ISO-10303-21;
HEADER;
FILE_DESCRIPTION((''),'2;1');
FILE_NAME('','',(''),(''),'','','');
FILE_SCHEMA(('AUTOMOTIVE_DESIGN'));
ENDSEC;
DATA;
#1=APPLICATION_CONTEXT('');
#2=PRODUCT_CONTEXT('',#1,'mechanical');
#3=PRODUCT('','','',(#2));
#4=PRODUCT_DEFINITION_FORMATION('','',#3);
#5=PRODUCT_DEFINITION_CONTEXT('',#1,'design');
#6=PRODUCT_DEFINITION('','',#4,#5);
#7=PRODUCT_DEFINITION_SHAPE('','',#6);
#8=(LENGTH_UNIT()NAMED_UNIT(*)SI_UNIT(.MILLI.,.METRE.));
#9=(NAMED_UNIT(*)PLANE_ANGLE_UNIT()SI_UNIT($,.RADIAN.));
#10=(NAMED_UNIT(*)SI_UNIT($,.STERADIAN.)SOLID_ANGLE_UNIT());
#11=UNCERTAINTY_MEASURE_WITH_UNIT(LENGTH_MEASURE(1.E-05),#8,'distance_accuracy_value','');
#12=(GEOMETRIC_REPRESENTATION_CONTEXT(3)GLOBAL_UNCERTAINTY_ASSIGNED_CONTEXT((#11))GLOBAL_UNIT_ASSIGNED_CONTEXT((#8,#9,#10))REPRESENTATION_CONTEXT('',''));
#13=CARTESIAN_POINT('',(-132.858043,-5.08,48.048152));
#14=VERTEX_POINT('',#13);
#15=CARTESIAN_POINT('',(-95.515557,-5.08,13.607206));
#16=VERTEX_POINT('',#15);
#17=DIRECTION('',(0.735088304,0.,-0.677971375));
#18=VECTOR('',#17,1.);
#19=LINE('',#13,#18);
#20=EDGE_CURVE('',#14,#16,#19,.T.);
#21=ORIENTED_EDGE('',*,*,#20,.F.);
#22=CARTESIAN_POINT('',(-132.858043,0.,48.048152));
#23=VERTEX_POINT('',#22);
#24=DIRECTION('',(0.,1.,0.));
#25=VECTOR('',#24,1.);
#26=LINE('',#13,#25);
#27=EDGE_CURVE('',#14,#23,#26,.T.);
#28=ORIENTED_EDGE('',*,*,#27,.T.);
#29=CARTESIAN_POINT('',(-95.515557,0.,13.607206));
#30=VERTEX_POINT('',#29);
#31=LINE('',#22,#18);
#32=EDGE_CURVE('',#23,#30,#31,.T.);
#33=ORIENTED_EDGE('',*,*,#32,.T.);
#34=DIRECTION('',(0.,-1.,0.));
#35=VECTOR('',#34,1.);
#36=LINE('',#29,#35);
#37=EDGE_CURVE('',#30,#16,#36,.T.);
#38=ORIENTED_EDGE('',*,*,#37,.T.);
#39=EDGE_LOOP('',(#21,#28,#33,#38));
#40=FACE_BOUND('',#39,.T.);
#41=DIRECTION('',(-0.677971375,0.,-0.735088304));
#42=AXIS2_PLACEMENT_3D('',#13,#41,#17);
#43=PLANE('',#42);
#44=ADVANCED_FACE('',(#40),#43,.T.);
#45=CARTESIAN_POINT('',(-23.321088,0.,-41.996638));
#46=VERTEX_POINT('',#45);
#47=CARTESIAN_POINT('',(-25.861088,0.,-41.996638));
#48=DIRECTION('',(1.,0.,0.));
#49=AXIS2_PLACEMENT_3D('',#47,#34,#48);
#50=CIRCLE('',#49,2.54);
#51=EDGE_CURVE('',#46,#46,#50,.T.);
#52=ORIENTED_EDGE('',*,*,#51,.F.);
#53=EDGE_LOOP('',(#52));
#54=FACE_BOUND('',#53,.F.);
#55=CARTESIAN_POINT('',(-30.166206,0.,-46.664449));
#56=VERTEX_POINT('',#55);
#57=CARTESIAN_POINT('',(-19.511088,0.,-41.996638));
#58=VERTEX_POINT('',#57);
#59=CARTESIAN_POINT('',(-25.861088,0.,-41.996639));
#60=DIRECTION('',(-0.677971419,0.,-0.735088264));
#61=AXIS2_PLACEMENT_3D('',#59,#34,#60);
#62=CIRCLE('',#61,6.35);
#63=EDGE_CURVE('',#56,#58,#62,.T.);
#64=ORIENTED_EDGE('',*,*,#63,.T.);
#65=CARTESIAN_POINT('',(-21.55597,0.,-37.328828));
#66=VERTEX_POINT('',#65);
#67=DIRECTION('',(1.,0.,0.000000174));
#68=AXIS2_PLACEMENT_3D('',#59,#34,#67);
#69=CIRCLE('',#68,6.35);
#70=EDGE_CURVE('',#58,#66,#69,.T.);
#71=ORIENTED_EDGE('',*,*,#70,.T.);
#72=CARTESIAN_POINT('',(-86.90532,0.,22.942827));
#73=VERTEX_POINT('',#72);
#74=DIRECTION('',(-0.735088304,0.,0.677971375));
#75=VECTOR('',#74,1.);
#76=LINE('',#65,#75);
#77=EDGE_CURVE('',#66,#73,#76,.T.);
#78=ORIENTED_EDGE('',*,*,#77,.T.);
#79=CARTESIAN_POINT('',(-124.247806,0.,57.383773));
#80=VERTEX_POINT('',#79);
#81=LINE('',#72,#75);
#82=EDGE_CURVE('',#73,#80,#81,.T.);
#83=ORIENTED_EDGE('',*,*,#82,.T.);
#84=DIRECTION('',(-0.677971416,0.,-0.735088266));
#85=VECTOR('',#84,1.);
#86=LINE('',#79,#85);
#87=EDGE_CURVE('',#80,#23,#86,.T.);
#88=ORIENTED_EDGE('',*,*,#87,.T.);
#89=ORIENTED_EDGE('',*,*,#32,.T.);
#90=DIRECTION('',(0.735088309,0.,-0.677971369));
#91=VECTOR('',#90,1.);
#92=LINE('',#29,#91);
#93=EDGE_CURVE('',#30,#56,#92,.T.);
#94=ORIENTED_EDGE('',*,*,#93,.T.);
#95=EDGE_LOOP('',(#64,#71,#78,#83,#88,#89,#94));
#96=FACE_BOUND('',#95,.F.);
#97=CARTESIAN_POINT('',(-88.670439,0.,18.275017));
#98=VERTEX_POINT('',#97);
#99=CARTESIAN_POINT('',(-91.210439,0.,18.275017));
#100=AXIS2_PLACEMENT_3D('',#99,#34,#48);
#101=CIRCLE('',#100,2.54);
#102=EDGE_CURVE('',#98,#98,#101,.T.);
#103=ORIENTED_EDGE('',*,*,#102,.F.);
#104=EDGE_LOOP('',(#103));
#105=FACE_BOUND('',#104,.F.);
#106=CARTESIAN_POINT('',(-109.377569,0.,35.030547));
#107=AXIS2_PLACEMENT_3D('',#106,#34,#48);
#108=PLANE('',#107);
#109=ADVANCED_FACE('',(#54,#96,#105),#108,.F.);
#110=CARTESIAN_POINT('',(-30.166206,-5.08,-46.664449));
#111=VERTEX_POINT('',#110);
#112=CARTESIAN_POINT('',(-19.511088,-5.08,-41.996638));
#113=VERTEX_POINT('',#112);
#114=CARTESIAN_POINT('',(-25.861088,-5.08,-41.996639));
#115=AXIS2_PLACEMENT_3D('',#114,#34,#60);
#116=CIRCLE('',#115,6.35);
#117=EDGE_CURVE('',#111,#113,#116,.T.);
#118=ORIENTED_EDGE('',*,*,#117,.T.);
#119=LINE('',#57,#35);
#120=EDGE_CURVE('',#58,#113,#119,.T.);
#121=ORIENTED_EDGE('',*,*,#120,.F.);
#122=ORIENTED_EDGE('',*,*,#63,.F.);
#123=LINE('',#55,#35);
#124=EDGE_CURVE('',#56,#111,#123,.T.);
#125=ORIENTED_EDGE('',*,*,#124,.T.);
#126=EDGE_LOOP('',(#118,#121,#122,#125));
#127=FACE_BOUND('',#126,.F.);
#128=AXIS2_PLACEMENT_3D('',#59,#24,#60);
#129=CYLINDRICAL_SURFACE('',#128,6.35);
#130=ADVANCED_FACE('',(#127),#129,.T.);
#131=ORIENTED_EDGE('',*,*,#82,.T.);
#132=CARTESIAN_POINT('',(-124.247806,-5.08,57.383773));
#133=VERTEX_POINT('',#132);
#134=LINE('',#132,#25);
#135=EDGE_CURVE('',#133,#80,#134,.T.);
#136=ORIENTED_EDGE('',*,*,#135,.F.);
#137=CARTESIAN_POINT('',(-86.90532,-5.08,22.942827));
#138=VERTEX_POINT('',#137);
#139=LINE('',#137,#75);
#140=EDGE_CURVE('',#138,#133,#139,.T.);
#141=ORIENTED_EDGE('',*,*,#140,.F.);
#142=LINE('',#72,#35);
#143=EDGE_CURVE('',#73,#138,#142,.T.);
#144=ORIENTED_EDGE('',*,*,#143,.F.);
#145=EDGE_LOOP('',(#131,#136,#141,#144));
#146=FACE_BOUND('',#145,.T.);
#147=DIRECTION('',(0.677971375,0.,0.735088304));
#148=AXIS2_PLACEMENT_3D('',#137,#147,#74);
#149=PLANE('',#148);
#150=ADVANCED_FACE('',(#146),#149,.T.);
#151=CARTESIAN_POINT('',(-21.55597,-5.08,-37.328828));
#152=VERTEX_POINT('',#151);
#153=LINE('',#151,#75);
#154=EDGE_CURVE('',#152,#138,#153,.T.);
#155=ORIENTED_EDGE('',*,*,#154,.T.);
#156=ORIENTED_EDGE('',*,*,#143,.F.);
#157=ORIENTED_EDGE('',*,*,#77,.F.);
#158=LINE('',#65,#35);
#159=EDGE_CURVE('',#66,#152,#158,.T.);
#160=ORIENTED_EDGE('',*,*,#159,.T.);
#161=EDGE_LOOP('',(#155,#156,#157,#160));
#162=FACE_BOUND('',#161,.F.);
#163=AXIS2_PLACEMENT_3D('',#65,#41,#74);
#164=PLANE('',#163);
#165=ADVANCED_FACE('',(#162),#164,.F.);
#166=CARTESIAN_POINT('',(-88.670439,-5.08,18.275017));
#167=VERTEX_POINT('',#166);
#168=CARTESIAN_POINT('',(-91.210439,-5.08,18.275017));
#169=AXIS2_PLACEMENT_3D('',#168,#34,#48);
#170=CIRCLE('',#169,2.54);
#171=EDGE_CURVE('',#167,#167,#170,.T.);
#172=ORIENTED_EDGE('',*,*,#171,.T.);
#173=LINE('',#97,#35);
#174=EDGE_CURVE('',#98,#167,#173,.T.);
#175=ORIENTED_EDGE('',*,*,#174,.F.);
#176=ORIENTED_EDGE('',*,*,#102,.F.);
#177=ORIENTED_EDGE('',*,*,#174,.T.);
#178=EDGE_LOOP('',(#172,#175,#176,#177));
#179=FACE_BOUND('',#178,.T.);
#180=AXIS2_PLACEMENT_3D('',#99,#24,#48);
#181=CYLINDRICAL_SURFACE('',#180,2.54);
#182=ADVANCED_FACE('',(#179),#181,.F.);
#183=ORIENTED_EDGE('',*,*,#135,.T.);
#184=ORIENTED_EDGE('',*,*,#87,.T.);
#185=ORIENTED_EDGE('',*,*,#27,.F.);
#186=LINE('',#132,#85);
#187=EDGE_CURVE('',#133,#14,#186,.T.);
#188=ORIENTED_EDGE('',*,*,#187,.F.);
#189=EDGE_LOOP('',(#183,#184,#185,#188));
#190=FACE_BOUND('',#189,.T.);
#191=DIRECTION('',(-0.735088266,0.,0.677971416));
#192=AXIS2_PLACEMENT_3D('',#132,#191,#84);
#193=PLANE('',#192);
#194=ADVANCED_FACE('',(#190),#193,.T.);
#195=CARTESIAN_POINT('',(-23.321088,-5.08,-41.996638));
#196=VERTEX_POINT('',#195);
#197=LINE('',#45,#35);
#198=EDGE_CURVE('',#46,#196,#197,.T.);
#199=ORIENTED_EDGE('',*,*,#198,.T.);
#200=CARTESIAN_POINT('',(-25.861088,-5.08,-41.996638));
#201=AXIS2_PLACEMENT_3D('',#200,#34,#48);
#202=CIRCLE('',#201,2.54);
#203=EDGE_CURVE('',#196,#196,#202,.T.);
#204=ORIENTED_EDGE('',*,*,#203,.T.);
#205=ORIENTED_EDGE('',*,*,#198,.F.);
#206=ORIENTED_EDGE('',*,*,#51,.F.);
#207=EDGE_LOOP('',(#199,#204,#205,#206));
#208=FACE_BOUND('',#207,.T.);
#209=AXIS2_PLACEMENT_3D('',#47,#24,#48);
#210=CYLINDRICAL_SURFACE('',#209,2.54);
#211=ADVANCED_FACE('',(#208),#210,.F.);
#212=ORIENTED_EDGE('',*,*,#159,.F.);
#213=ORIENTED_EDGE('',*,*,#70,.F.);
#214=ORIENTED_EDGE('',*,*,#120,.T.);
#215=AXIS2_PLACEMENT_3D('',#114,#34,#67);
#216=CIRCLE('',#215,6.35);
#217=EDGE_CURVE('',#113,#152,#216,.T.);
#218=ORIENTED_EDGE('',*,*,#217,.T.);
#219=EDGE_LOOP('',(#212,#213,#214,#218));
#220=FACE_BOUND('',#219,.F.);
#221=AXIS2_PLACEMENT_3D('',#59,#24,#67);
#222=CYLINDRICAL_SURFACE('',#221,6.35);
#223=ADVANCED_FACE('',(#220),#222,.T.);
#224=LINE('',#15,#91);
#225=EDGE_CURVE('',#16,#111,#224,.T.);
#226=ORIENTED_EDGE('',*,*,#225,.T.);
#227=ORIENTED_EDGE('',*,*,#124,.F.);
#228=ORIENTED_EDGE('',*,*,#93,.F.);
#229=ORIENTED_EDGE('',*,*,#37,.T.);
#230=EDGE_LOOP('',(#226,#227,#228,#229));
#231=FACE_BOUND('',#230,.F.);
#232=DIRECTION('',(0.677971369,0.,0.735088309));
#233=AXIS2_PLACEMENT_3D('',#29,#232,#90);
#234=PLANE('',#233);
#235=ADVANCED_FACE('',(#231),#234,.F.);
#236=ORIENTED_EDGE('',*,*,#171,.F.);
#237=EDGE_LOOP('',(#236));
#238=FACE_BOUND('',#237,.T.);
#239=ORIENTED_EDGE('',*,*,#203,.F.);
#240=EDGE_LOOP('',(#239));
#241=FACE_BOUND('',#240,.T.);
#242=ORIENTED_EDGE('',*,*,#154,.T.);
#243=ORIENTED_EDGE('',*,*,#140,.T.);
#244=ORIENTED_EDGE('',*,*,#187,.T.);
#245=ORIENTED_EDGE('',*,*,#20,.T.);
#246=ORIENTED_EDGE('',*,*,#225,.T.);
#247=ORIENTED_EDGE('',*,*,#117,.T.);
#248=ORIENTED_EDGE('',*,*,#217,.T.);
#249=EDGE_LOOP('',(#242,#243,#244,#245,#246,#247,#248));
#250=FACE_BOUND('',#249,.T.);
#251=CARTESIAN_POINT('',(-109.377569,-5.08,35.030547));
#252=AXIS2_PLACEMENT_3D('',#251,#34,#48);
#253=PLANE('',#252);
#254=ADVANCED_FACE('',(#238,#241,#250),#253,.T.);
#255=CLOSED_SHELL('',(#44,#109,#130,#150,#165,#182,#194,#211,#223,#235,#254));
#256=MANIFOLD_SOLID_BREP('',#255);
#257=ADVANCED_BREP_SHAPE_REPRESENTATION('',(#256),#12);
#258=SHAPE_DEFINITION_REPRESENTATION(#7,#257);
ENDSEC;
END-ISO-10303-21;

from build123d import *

# Parameters (mm, degrees)
F0_R     = 2.54
F1_DEPTH = 5.08
F3_DEPTH = 5.08


with BuildPart() as f1:
    # F0 (on Front) → F1 (new body)
    with BuildSketch(Plane.XZ):
        with BuildLine():
            ThreePointArc((-30.166206, -46.664449), (-23.31305, -47.812995), (-19.511088, -41.996638))
            ThreePointArc((-19.511088, -41.996638), (-20.044732, -39.4486), (-21.55597, -37.328828))
            ThreePointArc((-21.55597, -37.328828), (-30.528899, -37.69152), (-30.166206, -46.664449))
        make_face()
        with Locations((-25.861088, -41.996638)):
            Circle(F0_R, mode=Mode.SUBTRACT)
        with BuildLine():
            ThreePointArc((-30.166206, -46.664449), (-30.528899, -37.69152), (-21.55597, -37.328828))
            Line((-21.55597, -37.328828), (-86.90532, 22.942827))
            ThreePointArc((-86.90532, 22.942827), (-85.394082, 20.823055), (-84.860439, 18.275017))
            ThreePointArc((-84.860439, 18.275017), (-88.6624, 12.45866), (-95.515557, 13.607206))
            Line((-95.515557, 13.607206), (-30.166206, -46.664449))
        make_face()
        with BuildLine():
            ThreePointArc((-84.860439, 18.275017), (-85.394082, 20.823055), (-86.90532, 22.942827))
            ThreePointArc((-86.90532, 22.942827), (-95.878249, 22.580135), (-95.515557, 13.607206))
            ThreePointArc((-95.515557, 13.607206), (-88.6624, 12.45866), (-84.860439, 18.275017))
        make_face()
        with Locations((-91.210439, 18.275017)):
            Circle(F0_R, mode=Mode.SUBTRACT)
    extrude(amount=F1_DEPTH)

    # F2 (on face) → F3 (join)
    with BuildSketch(Plane.XZ.offset(5.08)):
        with BuildLine():
            ThreePointArc((-95.515557, 13.607206), (-95.878249, 22.580135), (-86.90532, 22.942827))
            Line((-86.90532, 22.942827), (-124.247806, 57.383773))
            Line((-124.247806, 57.383773), (-132.858043, 48.048152))
            Line((-132.858043, 48.048152), (-95.515557, 13.607206))
        make_face()
    extrude(amount=-F3_DEPTH)


solid = f1.part
